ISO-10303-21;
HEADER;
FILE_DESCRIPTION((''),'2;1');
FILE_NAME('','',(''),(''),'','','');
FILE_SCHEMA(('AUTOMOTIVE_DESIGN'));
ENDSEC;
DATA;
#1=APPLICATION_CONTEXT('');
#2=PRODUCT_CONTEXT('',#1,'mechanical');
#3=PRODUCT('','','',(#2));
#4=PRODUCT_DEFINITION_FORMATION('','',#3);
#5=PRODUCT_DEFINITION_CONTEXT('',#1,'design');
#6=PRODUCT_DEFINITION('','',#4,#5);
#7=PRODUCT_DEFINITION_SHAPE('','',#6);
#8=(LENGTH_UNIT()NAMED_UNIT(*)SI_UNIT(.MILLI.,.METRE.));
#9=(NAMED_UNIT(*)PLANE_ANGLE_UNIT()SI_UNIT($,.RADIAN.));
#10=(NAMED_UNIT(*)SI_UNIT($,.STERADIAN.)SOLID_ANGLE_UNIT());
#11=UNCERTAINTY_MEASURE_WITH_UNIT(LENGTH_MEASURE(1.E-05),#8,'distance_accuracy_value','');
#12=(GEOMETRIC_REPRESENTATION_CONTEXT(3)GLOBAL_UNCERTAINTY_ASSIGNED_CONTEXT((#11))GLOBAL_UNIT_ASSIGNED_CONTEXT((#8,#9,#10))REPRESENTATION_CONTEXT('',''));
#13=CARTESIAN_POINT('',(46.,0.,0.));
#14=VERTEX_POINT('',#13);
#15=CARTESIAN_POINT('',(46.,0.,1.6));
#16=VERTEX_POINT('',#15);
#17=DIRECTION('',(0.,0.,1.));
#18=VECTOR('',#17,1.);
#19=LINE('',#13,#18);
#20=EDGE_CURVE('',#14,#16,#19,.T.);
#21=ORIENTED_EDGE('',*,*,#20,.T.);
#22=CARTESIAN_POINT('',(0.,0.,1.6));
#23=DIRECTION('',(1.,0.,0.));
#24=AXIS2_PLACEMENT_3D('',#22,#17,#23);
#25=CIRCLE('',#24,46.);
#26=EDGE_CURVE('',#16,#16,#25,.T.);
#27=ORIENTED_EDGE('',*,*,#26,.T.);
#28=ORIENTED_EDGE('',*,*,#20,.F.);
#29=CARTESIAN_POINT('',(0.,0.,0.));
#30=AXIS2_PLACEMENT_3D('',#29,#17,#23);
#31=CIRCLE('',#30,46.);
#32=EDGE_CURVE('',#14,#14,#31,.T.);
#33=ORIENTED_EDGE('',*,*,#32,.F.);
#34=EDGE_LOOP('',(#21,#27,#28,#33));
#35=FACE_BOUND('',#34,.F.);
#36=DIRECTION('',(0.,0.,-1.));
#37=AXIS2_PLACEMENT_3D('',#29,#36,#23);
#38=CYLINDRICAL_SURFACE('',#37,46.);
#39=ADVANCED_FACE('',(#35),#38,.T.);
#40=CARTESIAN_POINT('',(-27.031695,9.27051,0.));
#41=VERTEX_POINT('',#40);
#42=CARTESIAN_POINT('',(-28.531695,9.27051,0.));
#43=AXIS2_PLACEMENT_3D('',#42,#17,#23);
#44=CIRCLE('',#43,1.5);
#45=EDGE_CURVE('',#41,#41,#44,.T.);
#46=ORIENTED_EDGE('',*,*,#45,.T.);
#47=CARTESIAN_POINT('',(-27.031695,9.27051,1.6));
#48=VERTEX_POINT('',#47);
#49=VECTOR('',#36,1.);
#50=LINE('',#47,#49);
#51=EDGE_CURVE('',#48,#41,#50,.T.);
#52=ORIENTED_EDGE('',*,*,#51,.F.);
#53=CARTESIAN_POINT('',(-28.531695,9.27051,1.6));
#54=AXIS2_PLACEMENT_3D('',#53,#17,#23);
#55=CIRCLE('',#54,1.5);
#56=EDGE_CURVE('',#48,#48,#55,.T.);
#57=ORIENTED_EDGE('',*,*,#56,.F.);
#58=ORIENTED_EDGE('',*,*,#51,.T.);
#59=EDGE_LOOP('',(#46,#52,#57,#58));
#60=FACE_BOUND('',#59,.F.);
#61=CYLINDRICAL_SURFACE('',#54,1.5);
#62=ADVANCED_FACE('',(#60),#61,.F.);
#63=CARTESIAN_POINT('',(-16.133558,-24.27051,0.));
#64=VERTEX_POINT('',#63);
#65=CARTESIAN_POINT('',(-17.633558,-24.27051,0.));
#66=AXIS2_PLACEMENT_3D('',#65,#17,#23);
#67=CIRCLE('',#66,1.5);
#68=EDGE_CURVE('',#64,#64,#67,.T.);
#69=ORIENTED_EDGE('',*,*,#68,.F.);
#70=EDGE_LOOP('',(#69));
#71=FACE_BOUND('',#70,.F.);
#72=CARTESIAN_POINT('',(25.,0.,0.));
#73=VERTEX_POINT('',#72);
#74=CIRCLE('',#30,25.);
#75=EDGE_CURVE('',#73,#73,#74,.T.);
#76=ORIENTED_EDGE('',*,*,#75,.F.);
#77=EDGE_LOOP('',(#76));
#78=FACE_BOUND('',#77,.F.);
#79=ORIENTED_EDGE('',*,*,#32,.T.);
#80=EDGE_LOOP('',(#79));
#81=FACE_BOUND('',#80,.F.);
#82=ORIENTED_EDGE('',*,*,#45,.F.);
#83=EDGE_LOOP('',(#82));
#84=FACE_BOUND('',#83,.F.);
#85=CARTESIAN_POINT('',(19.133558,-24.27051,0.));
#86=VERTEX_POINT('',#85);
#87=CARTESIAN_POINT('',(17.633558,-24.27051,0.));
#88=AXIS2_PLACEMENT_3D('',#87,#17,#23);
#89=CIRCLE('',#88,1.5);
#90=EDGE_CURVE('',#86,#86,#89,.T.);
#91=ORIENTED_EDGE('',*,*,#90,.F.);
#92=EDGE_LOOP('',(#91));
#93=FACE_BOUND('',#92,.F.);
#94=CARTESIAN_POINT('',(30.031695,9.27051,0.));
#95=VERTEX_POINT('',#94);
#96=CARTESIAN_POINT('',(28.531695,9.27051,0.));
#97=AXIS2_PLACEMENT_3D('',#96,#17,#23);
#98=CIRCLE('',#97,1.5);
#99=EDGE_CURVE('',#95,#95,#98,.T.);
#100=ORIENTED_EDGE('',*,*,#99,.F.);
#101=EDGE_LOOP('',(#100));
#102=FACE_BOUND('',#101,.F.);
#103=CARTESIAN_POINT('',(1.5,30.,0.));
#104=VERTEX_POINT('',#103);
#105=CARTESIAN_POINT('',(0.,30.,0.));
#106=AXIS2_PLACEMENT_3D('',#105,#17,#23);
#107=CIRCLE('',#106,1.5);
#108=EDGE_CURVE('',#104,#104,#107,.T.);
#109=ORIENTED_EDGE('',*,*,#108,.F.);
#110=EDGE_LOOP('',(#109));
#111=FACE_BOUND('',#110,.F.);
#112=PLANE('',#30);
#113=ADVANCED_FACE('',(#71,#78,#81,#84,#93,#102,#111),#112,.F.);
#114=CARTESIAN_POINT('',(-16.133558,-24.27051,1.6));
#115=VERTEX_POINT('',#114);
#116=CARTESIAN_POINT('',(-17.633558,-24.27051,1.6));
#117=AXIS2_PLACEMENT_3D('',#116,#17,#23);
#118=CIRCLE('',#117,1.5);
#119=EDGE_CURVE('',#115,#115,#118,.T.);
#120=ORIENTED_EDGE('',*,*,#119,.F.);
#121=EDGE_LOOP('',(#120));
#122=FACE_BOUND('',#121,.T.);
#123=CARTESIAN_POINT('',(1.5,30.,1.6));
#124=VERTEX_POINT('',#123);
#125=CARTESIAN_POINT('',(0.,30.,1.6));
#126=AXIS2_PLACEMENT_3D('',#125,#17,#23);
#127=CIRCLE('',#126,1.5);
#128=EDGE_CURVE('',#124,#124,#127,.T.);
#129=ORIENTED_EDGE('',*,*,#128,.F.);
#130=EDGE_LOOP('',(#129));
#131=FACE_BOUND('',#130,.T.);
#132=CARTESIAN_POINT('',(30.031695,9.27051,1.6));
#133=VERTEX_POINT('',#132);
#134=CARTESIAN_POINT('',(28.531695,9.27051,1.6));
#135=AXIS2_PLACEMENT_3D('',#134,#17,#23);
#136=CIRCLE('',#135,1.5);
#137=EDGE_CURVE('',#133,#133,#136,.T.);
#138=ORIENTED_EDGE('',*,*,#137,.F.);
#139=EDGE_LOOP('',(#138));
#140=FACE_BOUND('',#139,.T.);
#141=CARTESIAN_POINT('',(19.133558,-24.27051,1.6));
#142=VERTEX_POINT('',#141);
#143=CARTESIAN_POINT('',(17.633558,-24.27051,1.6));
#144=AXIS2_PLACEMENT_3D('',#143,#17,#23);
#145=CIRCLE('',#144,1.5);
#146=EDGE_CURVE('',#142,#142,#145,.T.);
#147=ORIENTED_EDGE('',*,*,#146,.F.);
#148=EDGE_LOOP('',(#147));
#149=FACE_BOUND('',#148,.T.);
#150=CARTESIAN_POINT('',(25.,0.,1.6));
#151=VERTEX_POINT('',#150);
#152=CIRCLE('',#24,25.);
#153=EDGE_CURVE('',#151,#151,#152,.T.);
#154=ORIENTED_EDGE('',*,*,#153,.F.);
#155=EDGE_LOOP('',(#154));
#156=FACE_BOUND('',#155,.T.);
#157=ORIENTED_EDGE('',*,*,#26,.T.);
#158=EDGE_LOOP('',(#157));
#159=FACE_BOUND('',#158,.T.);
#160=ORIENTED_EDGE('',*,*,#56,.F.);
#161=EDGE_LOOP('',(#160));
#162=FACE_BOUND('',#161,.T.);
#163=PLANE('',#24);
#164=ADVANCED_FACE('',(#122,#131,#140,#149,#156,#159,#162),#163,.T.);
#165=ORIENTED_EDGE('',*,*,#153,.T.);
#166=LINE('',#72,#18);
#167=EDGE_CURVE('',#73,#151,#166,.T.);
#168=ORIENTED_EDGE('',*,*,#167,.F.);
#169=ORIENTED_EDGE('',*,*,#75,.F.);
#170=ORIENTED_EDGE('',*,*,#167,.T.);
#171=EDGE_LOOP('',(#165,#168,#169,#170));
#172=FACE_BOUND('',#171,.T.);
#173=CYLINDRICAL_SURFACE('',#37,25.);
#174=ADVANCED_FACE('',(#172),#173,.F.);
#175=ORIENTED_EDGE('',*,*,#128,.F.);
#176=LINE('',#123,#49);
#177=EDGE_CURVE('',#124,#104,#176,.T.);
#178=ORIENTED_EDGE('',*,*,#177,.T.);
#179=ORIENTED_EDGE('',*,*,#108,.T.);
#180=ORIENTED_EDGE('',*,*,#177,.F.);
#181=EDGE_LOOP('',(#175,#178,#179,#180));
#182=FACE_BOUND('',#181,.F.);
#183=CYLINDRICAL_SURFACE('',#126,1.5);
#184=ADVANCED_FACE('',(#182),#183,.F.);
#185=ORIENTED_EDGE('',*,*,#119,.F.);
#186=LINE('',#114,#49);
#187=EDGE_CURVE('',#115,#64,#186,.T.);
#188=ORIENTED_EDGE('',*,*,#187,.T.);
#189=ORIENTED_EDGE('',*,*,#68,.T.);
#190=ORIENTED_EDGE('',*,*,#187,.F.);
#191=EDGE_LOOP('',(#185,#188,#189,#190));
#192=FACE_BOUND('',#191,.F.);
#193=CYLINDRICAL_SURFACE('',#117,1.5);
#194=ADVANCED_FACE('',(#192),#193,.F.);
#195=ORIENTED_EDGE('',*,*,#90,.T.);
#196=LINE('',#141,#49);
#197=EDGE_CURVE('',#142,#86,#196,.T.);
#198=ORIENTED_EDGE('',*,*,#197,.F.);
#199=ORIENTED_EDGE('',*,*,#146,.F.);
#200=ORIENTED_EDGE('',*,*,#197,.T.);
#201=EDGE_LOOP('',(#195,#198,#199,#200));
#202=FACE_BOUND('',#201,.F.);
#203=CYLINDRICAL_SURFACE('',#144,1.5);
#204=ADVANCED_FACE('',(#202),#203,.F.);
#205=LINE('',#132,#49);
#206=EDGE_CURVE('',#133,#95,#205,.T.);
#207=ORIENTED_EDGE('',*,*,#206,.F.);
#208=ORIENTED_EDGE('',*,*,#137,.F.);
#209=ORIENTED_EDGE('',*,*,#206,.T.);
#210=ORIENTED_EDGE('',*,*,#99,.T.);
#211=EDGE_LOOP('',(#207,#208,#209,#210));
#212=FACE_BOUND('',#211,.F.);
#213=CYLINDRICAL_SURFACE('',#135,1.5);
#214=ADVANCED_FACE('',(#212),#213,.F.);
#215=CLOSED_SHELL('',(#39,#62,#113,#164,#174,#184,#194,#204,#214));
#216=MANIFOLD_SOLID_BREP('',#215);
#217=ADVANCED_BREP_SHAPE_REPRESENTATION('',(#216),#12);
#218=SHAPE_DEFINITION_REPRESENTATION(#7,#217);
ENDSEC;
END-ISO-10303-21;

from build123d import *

# Parameters (mm, degrees)
F0_R     = 46
F0_R_2   = 25
F1_DEPTH = 1.6
F2_R     = 1.5
F3_DEPTH = 25.4


with BuildPart() as f1:
    # F0 (on Top) → F1 (new body)
    with BuildSketch(Plane.XY):
        Circle(F0_R)
        Circle(F0_R_2, mode=Mode.SUBTRACT)
    extrude(amount=F1_DEPTH)

    # F2 (on face) → F3 (cut)
    with BuildSketch(Plane.XY.offset(1.6)):
        with Locations((0, 30)):
            Circle(F2_R)
        with Locations((-28.531695, 9.27051)):
            Circle(F2_R)
        with Locations((-17.633558, -24.27051)):
            Circle(F2_R)
        with Locations((17.633558, -24.27051)):
            Circle(F2_R)
        with Locations((28.531695, 9.27051)):
            Circle(F2_R)
    extrude(amount=-F3_DEPTH, mode=Mode.SUBTRACT)


solid = f1.part
